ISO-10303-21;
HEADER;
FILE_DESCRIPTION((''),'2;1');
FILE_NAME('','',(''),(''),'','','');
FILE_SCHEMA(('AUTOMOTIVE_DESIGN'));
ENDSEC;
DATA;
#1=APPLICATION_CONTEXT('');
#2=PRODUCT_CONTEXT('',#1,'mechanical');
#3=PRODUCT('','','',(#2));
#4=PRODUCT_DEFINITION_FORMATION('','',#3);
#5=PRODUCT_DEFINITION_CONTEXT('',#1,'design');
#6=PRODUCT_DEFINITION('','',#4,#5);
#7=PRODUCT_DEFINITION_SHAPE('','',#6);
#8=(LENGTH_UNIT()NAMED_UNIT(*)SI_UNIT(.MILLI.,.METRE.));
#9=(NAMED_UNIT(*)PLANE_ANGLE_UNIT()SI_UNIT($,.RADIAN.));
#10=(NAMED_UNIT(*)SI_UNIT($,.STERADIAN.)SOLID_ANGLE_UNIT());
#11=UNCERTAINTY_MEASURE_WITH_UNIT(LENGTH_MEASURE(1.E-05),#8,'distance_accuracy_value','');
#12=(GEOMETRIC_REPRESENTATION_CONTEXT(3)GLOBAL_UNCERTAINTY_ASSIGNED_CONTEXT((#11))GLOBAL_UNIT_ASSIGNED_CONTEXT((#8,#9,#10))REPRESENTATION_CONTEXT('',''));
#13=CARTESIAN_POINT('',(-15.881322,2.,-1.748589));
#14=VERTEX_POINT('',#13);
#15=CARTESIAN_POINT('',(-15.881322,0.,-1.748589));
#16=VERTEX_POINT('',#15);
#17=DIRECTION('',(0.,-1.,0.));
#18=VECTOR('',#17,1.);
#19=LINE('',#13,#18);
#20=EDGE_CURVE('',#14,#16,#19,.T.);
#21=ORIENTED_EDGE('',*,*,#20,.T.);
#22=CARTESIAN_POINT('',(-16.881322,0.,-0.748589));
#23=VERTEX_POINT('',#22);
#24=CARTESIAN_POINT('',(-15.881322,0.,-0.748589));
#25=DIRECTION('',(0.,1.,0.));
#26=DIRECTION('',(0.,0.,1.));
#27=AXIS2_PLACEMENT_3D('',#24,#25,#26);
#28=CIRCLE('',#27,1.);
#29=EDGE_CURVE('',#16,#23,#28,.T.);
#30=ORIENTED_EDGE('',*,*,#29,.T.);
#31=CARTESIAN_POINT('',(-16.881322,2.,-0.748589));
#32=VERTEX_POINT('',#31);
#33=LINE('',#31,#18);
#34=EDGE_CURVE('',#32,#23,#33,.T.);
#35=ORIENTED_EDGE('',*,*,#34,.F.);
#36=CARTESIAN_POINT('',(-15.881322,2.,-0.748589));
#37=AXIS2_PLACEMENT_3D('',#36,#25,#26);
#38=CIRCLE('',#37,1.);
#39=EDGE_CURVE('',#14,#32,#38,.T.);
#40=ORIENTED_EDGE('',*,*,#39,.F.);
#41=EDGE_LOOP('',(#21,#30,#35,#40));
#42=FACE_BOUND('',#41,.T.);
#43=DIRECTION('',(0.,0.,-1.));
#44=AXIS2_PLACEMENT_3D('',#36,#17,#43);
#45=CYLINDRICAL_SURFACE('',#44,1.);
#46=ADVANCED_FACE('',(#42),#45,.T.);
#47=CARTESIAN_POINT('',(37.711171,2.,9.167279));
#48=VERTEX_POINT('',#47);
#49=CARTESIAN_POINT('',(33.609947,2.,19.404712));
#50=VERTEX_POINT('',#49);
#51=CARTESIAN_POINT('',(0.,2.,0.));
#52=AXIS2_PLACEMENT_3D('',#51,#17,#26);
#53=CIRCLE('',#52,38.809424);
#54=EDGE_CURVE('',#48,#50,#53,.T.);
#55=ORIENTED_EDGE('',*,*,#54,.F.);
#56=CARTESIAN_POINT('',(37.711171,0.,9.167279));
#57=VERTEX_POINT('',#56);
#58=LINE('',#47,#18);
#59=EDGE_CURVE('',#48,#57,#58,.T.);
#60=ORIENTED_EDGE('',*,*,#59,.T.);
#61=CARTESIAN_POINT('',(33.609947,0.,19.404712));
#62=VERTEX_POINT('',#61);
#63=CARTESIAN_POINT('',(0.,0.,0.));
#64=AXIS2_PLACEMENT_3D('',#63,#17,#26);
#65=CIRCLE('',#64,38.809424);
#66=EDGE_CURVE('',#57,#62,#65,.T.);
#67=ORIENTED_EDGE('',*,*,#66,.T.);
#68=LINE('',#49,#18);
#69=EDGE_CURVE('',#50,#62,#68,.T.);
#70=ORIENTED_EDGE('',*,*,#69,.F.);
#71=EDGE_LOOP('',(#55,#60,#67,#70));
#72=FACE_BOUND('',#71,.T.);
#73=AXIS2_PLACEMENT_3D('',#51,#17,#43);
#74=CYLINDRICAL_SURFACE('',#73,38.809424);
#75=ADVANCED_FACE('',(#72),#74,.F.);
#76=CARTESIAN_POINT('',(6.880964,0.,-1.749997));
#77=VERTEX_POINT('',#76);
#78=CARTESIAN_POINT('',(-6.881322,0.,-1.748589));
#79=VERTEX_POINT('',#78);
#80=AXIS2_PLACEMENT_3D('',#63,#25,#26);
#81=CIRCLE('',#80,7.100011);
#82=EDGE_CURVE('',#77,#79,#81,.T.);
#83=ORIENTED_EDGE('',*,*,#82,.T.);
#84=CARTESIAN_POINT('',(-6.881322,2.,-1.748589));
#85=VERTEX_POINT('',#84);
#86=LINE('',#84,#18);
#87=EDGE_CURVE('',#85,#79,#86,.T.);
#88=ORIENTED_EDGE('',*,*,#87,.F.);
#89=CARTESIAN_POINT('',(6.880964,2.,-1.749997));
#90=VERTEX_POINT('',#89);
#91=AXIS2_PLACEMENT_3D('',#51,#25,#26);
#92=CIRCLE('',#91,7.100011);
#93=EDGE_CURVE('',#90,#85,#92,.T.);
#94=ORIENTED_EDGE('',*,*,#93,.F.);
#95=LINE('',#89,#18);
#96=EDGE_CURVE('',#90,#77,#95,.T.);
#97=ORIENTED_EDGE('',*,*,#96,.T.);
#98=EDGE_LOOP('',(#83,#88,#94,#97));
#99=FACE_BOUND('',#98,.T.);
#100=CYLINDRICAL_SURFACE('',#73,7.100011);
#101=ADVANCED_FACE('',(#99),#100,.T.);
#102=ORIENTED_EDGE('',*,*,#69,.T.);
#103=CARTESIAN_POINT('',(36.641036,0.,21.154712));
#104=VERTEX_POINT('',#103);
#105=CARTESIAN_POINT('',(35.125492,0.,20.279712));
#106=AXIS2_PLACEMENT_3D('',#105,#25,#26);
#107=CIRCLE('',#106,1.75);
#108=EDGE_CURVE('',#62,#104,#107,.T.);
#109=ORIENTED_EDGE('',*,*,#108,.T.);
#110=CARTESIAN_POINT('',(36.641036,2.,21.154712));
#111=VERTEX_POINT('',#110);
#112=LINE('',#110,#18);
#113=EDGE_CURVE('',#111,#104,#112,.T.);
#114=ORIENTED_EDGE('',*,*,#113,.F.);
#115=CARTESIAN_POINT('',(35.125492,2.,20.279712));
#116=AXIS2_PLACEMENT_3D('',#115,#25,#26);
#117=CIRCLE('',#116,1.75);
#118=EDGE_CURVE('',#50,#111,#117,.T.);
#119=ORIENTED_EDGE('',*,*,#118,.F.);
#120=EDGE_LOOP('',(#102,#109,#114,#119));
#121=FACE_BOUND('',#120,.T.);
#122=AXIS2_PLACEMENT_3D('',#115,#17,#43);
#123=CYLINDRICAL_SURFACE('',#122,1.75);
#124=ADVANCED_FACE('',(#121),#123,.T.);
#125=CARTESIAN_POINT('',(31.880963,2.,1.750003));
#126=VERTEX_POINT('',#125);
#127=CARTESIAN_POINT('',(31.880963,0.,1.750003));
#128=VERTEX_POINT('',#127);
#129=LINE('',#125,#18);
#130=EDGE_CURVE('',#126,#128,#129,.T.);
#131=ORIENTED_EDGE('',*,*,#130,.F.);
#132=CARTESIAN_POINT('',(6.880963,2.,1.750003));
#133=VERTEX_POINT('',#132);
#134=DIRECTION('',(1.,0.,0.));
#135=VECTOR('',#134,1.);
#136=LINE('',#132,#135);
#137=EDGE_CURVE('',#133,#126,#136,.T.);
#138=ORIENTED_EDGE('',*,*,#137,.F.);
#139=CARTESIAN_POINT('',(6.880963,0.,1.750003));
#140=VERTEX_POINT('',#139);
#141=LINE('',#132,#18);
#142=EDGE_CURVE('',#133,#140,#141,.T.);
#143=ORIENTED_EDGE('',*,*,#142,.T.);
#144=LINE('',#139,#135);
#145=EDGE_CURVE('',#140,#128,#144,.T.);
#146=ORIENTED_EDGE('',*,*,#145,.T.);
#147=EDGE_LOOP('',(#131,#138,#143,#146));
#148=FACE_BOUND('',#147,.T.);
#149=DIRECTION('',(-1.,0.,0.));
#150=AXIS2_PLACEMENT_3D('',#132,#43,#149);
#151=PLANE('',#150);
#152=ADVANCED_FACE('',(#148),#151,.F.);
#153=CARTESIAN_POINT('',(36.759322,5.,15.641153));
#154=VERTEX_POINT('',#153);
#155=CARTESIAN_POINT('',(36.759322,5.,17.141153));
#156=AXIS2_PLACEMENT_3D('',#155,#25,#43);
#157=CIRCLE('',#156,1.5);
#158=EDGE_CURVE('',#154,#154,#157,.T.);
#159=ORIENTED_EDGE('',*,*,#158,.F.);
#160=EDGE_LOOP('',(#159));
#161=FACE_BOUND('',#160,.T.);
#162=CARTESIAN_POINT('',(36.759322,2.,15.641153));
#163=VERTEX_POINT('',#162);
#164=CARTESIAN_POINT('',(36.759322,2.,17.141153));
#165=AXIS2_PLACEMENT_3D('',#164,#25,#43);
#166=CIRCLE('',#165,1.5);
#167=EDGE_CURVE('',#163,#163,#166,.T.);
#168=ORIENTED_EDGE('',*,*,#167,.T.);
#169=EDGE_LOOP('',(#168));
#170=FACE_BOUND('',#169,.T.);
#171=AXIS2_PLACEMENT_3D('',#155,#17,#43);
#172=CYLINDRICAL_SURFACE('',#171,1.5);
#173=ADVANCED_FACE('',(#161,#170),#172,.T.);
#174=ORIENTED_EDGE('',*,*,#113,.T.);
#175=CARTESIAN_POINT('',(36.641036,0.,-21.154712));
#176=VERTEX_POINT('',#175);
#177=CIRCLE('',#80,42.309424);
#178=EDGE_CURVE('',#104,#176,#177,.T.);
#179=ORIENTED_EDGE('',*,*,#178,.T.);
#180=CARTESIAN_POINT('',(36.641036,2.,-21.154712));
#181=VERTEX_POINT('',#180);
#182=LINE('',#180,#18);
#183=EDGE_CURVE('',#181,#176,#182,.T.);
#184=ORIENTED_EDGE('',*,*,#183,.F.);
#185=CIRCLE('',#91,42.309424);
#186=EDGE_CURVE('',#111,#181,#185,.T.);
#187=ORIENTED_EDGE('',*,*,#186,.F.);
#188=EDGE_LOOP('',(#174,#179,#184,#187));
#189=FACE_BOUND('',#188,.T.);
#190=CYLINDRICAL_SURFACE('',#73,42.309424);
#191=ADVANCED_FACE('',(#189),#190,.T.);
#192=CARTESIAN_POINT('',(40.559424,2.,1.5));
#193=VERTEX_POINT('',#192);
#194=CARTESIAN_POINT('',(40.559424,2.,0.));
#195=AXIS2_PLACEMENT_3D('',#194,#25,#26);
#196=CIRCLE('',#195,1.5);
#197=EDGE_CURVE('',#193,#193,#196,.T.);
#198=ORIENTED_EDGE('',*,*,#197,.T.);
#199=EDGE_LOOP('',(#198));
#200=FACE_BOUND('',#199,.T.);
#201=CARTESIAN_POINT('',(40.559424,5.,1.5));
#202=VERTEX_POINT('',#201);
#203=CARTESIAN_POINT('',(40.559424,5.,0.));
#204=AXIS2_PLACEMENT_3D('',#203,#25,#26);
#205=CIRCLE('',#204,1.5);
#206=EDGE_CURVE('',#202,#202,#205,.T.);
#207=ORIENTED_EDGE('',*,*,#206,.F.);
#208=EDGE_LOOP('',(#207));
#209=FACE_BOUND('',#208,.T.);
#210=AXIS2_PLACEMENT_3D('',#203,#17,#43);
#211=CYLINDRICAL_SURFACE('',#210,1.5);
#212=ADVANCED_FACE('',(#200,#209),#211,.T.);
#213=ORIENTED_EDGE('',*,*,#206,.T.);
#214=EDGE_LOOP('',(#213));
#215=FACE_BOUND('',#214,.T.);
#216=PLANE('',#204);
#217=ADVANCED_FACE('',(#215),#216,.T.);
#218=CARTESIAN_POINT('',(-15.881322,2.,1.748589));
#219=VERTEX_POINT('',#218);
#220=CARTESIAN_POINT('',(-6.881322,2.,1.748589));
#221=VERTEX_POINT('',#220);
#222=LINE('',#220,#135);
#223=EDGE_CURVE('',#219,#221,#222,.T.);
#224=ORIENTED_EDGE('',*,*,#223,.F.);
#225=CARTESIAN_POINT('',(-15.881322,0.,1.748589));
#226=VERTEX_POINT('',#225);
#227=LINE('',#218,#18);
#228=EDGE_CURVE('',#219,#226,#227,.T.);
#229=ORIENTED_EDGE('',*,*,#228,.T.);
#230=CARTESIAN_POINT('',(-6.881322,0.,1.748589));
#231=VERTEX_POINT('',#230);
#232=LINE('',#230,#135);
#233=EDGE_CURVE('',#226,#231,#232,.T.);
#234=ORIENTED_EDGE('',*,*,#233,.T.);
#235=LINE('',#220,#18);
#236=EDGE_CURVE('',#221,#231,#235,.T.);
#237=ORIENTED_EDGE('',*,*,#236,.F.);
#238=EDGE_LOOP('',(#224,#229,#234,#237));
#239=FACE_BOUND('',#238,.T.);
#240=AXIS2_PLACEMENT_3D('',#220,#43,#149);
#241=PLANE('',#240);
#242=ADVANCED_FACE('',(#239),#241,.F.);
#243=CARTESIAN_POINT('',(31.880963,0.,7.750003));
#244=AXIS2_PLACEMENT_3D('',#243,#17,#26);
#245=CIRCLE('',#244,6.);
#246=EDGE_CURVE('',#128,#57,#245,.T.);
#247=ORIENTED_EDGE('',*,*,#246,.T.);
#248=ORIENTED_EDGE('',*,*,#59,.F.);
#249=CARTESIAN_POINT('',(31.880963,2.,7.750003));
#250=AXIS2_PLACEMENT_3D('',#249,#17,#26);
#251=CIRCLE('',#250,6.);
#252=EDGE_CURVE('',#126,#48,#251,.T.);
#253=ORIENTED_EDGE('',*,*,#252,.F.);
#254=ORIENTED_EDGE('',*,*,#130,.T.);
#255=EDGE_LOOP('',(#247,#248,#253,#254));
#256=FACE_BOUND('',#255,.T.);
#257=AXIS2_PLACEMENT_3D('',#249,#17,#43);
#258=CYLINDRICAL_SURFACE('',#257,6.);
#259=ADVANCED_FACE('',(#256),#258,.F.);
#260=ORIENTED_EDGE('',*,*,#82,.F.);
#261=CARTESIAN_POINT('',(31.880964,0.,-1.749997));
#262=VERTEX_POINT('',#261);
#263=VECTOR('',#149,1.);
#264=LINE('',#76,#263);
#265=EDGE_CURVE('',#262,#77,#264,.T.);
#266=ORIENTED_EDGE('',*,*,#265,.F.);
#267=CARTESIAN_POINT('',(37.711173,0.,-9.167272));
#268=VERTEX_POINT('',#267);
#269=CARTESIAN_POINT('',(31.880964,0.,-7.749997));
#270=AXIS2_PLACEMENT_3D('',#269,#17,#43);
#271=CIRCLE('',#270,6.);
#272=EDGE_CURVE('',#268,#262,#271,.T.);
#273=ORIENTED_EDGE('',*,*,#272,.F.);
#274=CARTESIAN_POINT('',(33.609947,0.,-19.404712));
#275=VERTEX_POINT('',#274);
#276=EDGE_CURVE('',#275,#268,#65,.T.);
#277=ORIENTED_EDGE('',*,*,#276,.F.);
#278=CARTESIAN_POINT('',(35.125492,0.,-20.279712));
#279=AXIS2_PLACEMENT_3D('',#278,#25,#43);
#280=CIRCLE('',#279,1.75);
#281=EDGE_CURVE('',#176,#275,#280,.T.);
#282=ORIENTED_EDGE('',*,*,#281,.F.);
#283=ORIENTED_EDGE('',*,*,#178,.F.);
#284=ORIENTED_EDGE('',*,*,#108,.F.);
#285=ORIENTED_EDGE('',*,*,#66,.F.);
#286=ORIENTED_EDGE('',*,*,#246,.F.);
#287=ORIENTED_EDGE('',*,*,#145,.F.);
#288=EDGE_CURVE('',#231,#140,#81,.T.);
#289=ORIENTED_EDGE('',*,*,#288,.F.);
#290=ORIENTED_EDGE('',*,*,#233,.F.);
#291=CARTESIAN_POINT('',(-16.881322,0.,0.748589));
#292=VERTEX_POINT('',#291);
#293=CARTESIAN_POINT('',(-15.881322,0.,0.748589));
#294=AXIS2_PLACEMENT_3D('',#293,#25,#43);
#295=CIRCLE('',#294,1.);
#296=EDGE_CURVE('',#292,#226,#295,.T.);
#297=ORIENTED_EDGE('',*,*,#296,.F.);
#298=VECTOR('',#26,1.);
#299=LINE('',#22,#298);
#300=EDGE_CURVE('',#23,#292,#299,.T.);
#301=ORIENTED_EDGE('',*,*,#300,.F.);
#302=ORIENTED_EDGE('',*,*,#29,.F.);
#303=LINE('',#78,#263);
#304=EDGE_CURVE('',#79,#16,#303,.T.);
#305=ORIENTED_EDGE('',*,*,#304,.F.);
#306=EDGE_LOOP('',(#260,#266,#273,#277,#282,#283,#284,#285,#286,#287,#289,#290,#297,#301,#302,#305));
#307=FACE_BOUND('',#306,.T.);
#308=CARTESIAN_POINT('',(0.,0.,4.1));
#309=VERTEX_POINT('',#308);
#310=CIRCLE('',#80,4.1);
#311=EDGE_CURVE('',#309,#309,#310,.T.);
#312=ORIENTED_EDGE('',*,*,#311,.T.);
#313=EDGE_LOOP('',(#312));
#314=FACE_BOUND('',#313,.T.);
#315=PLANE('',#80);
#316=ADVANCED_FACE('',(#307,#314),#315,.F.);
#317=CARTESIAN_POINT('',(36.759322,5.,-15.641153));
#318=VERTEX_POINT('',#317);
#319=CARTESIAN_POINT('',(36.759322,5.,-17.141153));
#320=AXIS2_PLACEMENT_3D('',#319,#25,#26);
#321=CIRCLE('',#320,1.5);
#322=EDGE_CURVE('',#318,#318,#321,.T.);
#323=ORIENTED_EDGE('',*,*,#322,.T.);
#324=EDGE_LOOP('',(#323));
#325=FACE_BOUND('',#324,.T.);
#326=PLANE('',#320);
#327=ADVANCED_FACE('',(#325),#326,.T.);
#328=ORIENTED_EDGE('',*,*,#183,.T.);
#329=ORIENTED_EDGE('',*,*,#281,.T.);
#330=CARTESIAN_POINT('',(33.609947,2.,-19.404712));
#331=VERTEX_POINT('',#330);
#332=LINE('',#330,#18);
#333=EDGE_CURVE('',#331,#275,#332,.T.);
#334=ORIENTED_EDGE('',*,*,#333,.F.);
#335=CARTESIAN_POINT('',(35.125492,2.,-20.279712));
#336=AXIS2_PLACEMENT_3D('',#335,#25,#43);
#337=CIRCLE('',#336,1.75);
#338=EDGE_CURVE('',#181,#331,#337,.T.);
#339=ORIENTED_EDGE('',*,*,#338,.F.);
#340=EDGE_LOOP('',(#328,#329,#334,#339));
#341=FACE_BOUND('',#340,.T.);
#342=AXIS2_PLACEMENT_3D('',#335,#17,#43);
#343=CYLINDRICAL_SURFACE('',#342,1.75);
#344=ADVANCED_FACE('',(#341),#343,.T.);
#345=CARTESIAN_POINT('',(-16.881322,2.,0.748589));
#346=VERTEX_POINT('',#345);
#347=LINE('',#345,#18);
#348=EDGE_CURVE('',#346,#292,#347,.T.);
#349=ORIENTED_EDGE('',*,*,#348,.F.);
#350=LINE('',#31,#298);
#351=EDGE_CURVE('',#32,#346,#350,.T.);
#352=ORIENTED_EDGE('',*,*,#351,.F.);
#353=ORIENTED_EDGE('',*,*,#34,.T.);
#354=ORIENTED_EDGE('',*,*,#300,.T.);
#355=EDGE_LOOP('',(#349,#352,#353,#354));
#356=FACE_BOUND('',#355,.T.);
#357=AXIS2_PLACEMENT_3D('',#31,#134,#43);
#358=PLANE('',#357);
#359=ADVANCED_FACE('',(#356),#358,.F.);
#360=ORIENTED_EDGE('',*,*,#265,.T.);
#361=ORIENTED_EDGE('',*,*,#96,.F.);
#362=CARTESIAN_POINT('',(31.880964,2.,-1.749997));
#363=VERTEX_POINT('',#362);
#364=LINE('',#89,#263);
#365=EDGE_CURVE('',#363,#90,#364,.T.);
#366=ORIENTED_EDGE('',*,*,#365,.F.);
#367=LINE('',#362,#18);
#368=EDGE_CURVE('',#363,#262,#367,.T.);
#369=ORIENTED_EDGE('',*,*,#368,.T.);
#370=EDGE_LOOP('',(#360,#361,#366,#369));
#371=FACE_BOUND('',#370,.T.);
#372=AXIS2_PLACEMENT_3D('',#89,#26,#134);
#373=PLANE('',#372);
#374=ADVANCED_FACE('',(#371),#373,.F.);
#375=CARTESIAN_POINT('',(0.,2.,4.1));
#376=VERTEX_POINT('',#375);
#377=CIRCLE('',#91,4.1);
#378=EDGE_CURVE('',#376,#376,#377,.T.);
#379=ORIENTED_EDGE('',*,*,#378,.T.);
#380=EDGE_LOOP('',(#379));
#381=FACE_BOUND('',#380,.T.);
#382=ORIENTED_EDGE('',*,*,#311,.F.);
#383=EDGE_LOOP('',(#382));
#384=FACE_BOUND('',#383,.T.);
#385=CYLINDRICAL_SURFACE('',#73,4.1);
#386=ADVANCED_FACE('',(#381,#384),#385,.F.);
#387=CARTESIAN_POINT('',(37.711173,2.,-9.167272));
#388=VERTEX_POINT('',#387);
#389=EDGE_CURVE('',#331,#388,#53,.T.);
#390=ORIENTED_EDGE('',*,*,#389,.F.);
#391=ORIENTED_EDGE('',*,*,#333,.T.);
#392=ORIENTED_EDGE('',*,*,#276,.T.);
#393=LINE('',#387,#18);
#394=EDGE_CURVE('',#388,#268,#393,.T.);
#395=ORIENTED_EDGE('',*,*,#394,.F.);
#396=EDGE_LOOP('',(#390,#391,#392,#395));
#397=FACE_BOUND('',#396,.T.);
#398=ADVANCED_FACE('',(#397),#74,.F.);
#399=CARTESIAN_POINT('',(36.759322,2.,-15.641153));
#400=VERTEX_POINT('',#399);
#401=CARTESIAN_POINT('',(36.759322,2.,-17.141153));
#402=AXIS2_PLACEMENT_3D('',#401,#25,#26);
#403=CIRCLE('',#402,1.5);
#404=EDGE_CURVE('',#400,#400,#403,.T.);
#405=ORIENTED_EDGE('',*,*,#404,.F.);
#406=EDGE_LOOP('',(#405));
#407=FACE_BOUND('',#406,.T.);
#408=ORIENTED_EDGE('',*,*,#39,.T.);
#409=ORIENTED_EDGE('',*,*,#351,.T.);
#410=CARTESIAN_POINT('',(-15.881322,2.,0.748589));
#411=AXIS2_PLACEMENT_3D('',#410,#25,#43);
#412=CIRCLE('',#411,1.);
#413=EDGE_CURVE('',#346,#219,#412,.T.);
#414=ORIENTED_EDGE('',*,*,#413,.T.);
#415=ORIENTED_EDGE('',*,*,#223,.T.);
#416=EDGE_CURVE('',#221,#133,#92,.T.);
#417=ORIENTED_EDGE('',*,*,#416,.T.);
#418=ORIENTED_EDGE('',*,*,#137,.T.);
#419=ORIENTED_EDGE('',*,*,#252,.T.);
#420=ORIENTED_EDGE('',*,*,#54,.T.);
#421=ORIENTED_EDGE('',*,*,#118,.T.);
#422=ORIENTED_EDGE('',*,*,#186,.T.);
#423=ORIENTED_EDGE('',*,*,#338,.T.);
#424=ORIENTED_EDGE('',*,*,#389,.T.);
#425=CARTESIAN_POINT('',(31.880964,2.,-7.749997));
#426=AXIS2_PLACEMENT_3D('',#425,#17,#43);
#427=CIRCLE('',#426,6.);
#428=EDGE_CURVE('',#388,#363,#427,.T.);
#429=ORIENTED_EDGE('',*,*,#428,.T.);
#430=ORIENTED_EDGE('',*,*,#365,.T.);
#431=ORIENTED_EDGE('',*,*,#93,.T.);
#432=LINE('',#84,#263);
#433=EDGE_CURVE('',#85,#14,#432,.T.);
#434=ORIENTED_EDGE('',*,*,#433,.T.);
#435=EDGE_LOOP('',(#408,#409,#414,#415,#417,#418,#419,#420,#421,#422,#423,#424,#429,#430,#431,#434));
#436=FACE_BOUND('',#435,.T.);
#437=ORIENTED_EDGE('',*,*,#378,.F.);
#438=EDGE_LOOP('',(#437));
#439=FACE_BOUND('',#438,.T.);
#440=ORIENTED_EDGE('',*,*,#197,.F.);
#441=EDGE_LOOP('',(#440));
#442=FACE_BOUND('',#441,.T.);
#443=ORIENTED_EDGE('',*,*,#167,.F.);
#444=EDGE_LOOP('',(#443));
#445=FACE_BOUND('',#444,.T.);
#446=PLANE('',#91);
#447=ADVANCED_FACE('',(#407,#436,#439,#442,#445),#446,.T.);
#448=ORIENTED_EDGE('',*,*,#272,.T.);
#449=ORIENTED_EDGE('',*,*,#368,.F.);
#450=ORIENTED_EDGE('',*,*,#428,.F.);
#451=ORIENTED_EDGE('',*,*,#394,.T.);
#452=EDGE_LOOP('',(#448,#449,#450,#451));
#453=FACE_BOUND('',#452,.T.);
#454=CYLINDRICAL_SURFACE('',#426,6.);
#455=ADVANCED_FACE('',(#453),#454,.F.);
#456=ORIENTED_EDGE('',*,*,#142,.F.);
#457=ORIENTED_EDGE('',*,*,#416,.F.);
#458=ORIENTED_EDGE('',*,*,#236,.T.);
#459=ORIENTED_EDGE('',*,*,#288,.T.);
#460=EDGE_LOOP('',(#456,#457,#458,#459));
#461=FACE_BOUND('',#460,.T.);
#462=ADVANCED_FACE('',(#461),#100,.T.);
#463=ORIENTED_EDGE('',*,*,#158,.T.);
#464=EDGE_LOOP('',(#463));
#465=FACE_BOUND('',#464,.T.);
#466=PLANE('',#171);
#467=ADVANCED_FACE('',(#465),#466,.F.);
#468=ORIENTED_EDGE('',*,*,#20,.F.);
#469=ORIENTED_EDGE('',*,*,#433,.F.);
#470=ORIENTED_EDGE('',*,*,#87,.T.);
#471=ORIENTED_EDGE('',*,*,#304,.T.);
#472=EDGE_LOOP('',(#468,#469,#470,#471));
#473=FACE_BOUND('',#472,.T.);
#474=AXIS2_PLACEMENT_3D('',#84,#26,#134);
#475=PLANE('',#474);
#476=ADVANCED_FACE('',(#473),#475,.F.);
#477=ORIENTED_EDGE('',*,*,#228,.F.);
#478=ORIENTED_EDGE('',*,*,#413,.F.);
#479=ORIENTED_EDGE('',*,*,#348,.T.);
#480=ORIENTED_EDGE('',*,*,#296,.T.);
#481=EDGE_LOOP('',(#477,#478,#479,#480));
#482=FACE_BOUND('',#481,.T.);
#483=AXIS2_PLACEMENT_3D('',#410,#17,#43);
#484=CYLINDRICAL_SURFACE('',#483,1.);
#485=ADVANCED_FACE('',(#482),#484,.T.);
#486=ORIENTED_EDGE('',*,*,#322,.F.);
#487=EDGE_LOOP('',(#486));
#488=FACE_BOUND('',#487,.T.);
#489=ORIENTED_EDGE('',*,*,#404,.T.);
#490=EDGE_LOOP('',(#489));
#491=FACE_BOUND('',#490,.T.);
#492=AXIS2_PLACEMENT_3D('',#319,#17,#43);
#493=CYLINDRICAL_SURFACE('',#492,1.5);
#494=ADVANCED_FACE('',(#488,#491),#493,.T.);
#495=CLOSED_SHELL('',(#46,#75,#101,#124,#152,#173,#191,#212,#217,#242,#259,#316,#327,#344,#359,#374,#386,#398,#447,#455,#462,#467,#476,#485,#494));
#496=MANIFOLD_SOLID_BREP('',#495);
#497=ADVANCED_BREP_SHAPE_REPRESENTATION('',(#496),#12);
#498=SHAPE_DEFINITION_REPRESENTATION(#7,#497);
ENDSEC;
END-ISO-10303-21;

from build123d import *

# Parameters (mm, degrees)
SKETCH1_R           = 4.1
BOSS_EXTRUDE1_DEPTH = 2
SKETCH2_R           = 1.5
BOSS_EXTRUDE2_DEPTH = 3


with BuildPart() as part:
    # Sketch1 → Boss-Extrude1 (new body)
    with BuildSketch(Plane(origin=(0, 0, 0), x_dir=(1, 0, 0), z_dir=(0, 1, 0))):
        with BuildLine():
            Line((6.880964228, 1.749997239), (31.880964166, 1.749997239))
            ThreePointArc((31.880964166, 1.749997239), (36.598148239, 4.042144166), (37.711172654, 9.167272434))
            ThreePointArc((37.711172654, 9.167272434), (36.026057764, 14.43241452), (33.609947488, 19.40471223))
            ThreePointArc((33.609947488, 19.40471223), (34.250491945, 21.795256686), (36.641036401, 21.15471223))
            ThreePointArc((36.641036401, 21.15471223), (42.309424459, 0), (36.641036401, -21.15471223))
            ThreePointArc((36.641036401, -21.15471223), (34.250491945, -21.795256686), (33.609947488, -19.40471223))
            ThreePointArc((33.609947488, -19.40471223), (36.026056514, -14.432417639), (37.711171067, -9.167278965))
            ThreePointArc((37.711171067, -9.167278965), (36.598147218, -4.042150095), (31.880962823, -1.750002761))
            Line((31.880962823, -1.750002761), (6.880962823, -1.750002761))
            ThreePointArc((6.880962823, -1.750002761), (-0.000729594, -7.100011163), (-6.881322337, -1.748588554))
            Line((-6.881322337, -1.748588554), (-15.881322337, -1.748588554))
            ThreePointArc((-15.881322337, -1.748588554), (-16.588429118, -1.455695335), (-16.881322337, -0.748588554))
            Line((-16.881322337, -0.748588554), (-16.881322337, 0.748588554))
            ThreePointArc((-16.881322337, 0.748588554), (-16.588429118, 1.455695335), (-15.881322337, 1.748588554))
            Line((-15.881322337, 1.748588554), (-6.881322337, 1.748588554))
            ThreePointArc((-6.881322337, 1.748588554), (-0.000726746, 7.100011163), (6.880964228, 1.749997239))
        make_face()
        Circle(SKETCH1_R, mode=Mode.SUBTRACT)
    extrude(amount=BOSS_EXTRUDE1_DEPTH)

    # Sketch2 → Boss-Extrude2 (add)
    with BuildSketch(Plane(origin=(0, 2, 0), x_dir=(1, 0, 0), z_dir=(0, 1, 0))):
        with Locations((36.759322225, 17.141153462)):
            Circle(SKETCH2_R)
        with Locations((40.559424459, 0)):
            Circle(SKETCH2_R)
        with Locations((36.759322225, -17.141153462)):
            Circle(SKETCH2_R)
    extrude(amount=BOSS_EXTRUDE2_DEPTH)


solid = part.part
